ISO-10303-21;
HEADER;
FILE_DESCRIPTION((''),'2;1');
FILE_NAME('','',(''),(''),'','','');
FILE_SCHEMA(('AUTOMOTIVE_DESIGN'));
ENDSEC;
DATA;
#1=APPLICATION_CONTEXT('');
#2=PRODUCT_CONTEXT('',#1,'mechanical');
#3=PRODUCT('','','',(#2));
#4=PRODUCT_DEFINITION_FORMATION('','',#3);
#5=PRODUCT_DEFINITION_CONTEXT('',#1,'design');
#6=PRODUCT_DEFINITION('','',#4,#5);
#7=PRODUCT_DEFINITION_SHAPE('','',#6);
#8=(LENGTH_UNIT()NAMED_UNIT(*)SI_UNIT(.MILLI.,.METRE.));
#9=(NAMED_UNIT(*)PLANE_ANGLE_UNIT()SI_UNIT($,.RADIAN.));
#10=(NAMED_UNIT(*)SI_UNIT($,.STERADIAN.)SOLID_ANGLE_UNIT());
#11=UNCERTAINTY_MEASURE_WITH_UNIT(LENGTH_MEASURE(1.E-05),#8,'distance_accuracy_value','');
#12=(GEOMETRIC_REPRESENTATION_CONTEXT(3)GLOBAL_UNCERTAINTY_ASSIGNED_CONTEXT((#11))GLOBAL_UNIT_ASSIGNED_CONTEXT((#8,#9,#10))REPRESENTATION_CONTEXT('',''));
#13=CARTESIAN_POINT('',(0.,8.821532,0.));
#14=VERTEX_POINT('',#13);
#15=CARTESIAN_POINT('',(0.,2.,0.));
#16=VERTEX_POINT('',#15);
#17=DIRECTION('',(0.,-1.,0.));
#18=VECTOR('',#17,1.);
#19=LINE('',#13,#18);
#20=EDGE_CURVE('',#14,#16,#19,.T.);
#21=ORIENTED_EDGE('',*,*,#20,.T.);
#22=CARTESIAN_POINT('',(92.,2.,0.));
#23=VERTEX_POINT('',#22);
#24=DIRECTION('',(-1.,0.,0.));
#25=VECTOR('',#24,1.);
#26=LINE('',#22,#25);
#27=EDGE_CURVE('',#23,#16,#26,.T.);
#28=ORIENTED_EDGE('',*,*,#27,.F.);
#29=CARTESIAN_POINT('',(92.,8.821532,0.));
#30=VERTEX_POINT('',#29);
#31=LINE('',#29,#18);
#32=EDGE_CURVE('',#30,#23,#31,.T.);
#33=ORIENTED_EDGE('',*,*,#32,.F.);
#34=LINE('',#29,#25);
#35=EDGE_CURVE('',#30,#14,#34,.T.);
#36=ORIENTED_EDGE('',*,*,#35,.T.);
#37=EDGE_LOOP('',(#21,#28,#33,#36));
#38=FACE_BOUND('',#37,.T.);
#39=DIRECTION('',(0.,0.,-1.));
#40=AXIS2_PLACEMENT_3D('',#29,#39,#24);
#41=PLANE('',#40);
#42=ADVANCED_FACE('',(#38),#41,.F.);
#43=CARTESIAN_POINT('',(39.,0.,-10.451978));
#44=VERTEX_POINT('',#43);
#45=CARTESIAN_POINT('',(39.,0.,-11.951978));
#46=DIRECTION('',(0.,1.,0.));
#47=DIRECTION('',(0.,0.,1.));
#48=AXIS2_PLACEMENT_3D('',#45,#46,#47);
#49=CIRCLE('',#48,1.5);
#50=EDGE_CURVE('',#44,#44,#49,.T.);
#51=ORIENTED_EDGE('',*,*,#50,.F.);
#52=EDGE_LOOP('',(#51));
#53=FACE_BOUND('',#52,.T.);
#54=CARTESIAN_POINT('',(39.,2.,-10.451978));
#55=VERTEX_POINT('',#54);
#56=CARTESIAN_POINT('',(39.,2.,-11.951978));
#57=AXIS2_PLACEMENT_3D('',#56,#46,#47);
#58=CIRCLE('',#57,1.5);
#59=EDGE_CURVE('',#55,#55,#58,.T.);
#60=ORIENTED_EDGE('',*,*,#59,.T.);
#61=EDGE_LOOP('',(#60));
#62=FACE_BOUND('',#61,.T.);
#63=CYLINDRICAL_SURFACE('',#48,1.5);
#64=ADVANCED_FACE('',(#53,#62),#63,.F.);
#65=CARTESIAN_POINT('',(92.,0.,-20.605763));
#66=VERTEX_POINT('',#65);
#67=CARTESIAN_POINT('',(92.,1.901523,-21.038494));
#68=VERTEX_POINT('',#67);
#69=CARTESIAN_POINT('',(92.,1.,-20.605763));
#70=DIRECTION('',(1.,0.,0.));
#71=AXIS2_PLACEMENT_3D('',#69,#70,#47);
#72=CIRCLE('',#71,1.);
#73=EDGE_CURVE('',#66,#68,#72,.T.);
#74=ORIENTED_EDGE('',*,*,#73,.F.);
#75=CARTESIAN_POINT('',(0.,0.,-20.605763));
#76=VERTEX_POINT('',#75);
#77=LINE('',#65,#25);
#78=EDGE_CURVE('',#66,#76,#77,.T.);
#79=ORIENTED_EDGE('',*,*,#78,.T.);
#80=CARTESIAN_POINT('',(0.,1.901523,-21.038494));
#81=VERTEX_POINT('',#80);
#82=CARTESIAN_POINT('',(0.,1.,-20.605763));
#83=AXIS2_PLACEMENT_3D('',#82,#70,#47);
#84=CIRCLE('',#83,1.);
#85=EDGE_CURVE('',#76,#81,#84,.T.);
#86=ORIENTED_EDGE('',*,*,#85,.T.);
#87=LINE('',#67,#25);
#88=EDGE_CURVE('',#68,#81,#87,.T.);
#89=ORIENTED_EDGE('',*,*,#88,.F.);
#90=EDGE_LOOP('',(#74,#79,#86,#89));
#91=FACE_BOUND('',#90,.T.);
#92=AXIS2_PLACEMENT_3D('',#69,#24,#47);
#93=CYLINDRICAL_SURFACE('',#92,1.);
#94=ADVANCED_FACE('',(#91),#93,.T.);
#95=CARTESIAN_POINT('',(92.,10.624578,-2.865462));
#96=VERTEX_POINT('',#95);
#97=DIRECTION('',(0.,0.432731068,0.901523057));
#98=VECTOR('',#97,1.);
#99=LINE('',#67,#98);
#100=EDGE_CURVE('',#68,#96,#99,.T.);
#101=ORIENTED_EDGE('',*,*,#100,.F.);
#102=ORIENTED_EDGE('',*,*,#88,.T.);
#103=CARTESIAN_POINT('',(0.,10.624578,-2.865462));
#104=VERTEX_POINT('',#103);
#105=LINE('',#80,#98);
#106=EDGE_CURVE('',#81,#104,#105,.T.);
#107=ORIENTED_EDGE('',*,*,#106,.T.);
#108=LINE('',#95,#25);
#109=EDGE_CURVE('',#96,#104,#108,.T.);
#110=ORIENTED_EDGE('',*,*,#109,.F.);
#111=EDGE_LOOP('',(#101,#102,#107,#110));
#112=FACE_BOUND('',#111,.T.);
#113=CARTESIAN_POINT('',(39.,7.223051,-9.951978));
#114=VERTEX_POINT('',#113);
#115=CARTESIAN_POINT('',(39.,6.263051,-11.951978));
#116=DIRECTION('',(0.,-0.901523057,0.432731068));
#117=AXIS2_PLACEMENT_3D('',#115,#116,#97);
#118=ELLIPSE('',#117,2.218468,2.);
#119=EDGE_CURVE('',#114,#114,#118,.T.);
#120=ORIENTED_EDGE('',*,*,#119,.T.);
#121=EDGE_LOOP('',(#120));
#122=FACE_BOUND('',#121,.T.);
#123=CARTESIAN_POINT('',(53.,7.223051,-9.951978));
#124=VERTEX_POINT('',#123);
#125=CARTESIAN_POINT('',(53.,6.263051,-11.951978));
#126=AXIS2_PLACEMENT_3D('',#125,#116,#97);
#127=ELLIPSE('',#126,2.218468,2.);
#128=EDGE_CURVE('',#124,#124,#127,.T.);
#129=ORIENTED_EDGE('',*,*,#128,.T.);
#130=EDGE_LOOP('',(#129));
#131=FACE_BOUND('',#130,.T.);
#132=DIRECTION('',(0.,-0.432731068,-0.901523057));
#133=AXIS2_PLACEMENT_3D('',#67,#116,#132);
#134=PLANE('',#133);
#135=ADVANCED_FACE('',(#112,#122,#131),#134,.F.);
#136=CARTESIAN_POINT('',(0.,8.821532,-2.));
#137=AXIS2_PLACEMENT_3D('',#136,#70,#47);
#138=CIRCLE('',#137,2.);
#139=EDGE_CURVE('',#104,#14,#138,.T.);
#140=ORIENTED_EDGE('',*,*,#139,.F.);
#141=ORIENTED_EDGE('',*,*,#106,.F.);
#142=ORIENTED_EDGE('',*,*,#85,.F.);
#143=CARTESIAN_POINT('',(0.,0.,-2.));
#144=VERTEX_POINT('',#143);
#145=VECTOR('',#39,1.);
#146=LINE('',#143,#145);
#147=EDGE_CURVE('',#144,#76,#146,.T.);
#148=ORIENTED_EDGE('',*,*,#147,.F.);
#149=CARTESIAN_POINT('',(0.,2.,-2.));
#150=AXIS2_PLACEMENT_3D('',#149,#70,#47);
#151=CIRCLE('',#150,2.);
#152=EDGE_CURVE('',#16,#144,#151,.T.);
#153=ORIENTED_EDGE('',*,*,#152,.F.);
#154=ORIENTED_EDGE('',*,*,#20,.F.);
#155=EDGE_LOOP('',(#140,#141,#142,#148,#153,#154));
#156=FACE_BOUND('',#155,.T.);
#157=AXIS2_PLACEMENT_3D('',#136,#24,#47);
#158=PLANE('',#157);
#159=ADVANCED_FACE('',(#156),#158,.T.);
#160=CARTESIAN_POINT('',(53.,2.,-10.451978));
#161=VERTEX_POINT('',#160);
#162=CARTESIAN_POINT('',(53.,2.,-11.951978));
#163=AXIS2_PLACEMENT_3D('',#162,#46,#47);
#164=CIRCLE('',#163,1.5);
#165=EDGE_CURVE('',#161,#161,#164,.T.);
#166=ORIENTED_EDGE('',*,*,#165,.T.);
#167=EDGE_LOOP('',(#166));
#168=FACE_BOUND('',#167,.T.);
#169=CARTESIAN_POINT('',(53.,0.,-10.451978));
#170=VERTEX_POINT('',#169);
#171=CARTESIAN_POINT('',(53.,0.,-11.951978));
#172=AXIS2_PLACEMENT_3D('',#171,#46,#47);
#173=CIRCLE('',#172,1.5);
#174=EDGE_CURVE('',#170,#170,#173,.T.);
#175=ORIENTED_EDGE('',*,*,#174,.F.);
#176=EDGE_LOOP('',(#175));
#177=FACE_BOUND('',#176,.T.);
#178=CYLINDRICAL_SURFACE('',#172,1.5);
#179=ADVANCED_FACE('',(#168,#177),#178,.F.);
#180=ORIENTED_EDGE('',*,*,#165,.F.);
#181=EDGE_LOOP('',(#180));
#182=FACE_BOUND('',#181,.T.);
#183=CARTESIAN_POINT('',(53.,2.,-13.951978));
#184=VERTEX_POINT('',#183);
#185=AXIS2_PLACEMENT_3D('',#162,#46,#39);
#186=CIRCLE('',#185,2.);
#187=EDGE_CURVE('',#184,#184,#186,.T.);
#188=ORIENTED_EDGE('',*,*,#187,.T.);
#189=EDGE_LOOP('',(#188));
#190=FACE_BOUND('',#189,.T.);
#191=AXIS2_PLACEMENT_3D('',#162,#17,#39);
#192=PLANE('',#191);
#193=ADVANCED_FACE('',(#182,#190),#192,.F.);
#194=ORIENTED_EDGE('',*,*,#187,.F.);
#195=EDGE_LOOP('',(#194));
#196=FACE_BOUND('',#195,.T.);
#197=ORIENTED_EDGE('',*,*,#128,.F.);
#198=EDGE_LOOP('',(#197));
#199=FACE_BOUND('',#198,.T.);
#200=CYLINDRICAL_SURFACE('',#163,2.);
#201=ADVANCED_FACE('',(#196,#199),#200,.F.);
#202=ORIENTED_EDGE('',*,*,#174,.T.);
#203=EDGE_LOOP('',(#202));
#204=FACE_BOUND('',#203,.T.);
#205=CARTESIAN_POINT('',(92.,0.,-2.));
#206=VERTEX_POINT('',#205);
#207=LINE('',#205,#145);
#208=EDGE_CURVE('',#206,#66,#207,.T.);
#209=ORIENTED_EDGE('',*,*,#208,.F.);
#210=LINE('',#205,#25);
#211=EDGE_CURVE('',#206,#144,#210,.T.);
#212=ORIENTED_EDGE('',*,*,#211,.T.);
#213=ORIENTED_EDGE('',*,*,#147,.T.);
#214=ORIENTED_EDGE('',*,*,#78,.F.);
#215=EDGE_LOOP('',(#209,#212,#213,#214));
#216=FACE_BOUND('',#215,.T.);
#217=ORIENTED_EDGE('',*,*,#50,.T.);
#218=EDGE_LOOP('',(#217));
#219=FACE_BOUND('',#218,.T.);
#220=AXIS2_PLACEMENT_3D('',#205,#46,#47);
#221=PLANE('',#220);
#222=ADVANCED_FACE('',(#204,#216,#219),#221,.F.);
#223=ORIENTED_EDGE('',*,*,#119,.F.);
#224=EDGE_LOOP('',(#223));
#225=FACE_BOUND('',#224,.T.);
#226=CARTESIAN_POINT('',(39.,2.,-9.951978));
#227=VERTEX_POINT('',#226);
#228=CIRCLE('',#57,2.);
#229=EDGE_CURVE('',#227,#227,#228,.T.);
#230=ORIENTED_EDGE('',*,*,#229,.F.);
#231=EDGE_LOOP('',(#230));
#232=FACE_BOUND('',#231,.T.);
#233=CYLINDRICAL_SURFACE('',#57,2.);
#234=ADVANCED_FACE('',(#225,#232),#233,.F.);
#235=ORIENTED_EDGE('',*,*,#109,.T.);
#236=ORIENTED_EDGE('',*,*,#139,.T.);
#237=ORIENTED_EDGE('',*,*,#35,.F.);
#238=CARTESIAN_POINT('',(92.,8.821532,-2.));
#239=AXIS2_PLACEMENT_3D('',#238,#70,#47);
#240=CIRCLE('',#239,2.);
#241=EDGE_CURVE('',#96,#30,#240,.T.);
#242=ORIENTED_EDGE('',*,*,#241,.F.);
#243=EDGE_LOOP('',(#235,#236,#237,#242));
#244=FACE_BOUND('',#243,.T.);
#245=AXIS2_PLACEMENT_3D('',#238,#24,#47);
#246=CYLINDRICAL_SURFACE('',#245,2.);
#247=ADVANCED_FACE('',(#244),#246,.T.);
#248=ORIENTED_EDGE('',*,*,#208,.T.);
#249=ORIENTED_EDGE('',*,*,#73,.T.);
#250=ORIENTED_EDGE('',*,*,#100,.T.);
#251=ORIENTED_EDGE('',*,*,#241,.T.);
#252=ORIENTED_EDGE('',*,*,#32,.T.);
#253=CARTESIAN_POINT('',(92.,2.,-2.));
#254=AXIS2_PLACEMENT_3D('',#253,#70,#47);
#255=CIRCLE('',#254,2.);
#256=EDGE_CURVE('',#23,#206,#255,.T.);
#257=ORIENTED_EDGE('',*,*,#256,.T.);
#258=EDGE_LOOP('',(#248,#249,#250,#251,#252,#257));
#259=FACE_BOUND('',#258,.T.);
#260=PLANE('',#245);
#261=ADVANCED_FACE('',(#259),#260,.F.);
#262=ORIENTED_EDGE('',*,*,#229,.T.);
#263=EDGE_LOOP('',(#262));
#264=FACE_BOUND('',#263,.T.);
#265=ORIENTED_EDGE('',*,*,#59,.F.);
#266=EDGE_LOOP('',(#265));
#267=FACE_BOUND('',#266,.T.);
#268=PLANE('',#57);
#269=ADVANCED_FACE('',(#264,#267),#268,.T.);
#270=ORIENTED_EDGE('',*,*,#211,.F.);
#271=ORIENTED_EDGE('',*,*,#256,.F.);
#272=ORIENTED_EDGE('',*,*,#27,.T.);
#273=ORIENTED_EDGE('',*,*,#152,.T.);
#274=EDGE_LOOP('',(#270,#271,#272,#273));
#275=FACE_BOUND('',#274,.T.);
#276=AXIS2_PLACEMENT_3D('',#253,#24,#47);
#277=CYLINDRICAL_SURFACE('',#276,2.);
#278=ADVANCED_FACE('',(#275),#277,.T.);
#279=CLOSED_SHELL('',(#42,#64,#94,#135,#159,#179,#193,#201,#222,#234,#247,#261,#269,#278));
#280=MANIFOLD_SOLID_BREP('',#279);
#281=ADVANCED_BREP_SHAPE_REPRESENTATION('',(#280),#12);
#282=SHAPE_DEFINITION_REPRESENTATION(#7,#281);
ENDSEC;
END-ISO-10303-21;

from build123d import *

# Parameters (mm, degrees)
BOSS_EXTRUDE1_DEPTH = 92
SKETCH2_R           = 2
CUT_EXTRUDE1_DEPTH  = 8
SKETCH3_R           = 1.5
CUT_EXTRUDE2_DEPTH  = 95.913794592


with BuildPart() as part:
    # Sketch1 → Boss-Extrude1 (new body)
    with BuildSketch(Plane(origin=(0, 0, 0), x_dir=(0, 0, -1), z_dir=(1, 0, 0))):
        with BuildLine():
            Line((2, 0), (20.605762563, 0))
            ThreePointArc((20.605762563, 0), (21.580832575, 0.778102566), (21.03849363, 1.901523057))
            Line((21.03849363, 1.901523057), (2.865462135, 10.624578175))
            ThreePointArc((2.865462135, 10.624578175), (0.934853125, 10.514299657), (0, 8.82153206))
            Line((0, 8.82153206), (0, 2))
            ThreePointArc((0, 2), (0.585786438, 0.585786438), (2, 0))
        make_face()
    extrude(amount=BOSS_EXTRUDE1_DEPTH)

    # Sketch2 → Cut-Extrude1 (cut)
    with BuildSketch(Plane(origin=(0, 10, 0), x_dir=(1, 0, 0), z_dir=(0, 1, 0))):
        with Locations(Location((39, 11.951977883, 0), (0, 0, 270))):
            Circle(SKETCH2_R)
        with Locations(Location((53, 11.951977883, 0), (0, 0, 270))):
            Circle(SKETCH2_R)
    extrude(amount=-CUT_EXTRUDE1_DEPTH, mode=Mode.SUBTRACT)

    # Sketch3 → Cut-Extrude2 (cut, through all)
    with BuildSketch(Plane(origin=(0, 2, 0), x_dir=(1, 0, 0), z_dir=(0, 1, 0))):
        with Locations(Location((39, 11.951977883, 0), (0, 0, 270))):
            Circle(SKETCH3_R)
        with Locations(Location((53, 11.951977883, 0), (0, 0, 270))):
            Circle(SKETCH3_R)
    extrude(amount=-CUT_EXTRUDE2_DEPTH, mode=Mode.SUBTRACT)


solid = part.part
